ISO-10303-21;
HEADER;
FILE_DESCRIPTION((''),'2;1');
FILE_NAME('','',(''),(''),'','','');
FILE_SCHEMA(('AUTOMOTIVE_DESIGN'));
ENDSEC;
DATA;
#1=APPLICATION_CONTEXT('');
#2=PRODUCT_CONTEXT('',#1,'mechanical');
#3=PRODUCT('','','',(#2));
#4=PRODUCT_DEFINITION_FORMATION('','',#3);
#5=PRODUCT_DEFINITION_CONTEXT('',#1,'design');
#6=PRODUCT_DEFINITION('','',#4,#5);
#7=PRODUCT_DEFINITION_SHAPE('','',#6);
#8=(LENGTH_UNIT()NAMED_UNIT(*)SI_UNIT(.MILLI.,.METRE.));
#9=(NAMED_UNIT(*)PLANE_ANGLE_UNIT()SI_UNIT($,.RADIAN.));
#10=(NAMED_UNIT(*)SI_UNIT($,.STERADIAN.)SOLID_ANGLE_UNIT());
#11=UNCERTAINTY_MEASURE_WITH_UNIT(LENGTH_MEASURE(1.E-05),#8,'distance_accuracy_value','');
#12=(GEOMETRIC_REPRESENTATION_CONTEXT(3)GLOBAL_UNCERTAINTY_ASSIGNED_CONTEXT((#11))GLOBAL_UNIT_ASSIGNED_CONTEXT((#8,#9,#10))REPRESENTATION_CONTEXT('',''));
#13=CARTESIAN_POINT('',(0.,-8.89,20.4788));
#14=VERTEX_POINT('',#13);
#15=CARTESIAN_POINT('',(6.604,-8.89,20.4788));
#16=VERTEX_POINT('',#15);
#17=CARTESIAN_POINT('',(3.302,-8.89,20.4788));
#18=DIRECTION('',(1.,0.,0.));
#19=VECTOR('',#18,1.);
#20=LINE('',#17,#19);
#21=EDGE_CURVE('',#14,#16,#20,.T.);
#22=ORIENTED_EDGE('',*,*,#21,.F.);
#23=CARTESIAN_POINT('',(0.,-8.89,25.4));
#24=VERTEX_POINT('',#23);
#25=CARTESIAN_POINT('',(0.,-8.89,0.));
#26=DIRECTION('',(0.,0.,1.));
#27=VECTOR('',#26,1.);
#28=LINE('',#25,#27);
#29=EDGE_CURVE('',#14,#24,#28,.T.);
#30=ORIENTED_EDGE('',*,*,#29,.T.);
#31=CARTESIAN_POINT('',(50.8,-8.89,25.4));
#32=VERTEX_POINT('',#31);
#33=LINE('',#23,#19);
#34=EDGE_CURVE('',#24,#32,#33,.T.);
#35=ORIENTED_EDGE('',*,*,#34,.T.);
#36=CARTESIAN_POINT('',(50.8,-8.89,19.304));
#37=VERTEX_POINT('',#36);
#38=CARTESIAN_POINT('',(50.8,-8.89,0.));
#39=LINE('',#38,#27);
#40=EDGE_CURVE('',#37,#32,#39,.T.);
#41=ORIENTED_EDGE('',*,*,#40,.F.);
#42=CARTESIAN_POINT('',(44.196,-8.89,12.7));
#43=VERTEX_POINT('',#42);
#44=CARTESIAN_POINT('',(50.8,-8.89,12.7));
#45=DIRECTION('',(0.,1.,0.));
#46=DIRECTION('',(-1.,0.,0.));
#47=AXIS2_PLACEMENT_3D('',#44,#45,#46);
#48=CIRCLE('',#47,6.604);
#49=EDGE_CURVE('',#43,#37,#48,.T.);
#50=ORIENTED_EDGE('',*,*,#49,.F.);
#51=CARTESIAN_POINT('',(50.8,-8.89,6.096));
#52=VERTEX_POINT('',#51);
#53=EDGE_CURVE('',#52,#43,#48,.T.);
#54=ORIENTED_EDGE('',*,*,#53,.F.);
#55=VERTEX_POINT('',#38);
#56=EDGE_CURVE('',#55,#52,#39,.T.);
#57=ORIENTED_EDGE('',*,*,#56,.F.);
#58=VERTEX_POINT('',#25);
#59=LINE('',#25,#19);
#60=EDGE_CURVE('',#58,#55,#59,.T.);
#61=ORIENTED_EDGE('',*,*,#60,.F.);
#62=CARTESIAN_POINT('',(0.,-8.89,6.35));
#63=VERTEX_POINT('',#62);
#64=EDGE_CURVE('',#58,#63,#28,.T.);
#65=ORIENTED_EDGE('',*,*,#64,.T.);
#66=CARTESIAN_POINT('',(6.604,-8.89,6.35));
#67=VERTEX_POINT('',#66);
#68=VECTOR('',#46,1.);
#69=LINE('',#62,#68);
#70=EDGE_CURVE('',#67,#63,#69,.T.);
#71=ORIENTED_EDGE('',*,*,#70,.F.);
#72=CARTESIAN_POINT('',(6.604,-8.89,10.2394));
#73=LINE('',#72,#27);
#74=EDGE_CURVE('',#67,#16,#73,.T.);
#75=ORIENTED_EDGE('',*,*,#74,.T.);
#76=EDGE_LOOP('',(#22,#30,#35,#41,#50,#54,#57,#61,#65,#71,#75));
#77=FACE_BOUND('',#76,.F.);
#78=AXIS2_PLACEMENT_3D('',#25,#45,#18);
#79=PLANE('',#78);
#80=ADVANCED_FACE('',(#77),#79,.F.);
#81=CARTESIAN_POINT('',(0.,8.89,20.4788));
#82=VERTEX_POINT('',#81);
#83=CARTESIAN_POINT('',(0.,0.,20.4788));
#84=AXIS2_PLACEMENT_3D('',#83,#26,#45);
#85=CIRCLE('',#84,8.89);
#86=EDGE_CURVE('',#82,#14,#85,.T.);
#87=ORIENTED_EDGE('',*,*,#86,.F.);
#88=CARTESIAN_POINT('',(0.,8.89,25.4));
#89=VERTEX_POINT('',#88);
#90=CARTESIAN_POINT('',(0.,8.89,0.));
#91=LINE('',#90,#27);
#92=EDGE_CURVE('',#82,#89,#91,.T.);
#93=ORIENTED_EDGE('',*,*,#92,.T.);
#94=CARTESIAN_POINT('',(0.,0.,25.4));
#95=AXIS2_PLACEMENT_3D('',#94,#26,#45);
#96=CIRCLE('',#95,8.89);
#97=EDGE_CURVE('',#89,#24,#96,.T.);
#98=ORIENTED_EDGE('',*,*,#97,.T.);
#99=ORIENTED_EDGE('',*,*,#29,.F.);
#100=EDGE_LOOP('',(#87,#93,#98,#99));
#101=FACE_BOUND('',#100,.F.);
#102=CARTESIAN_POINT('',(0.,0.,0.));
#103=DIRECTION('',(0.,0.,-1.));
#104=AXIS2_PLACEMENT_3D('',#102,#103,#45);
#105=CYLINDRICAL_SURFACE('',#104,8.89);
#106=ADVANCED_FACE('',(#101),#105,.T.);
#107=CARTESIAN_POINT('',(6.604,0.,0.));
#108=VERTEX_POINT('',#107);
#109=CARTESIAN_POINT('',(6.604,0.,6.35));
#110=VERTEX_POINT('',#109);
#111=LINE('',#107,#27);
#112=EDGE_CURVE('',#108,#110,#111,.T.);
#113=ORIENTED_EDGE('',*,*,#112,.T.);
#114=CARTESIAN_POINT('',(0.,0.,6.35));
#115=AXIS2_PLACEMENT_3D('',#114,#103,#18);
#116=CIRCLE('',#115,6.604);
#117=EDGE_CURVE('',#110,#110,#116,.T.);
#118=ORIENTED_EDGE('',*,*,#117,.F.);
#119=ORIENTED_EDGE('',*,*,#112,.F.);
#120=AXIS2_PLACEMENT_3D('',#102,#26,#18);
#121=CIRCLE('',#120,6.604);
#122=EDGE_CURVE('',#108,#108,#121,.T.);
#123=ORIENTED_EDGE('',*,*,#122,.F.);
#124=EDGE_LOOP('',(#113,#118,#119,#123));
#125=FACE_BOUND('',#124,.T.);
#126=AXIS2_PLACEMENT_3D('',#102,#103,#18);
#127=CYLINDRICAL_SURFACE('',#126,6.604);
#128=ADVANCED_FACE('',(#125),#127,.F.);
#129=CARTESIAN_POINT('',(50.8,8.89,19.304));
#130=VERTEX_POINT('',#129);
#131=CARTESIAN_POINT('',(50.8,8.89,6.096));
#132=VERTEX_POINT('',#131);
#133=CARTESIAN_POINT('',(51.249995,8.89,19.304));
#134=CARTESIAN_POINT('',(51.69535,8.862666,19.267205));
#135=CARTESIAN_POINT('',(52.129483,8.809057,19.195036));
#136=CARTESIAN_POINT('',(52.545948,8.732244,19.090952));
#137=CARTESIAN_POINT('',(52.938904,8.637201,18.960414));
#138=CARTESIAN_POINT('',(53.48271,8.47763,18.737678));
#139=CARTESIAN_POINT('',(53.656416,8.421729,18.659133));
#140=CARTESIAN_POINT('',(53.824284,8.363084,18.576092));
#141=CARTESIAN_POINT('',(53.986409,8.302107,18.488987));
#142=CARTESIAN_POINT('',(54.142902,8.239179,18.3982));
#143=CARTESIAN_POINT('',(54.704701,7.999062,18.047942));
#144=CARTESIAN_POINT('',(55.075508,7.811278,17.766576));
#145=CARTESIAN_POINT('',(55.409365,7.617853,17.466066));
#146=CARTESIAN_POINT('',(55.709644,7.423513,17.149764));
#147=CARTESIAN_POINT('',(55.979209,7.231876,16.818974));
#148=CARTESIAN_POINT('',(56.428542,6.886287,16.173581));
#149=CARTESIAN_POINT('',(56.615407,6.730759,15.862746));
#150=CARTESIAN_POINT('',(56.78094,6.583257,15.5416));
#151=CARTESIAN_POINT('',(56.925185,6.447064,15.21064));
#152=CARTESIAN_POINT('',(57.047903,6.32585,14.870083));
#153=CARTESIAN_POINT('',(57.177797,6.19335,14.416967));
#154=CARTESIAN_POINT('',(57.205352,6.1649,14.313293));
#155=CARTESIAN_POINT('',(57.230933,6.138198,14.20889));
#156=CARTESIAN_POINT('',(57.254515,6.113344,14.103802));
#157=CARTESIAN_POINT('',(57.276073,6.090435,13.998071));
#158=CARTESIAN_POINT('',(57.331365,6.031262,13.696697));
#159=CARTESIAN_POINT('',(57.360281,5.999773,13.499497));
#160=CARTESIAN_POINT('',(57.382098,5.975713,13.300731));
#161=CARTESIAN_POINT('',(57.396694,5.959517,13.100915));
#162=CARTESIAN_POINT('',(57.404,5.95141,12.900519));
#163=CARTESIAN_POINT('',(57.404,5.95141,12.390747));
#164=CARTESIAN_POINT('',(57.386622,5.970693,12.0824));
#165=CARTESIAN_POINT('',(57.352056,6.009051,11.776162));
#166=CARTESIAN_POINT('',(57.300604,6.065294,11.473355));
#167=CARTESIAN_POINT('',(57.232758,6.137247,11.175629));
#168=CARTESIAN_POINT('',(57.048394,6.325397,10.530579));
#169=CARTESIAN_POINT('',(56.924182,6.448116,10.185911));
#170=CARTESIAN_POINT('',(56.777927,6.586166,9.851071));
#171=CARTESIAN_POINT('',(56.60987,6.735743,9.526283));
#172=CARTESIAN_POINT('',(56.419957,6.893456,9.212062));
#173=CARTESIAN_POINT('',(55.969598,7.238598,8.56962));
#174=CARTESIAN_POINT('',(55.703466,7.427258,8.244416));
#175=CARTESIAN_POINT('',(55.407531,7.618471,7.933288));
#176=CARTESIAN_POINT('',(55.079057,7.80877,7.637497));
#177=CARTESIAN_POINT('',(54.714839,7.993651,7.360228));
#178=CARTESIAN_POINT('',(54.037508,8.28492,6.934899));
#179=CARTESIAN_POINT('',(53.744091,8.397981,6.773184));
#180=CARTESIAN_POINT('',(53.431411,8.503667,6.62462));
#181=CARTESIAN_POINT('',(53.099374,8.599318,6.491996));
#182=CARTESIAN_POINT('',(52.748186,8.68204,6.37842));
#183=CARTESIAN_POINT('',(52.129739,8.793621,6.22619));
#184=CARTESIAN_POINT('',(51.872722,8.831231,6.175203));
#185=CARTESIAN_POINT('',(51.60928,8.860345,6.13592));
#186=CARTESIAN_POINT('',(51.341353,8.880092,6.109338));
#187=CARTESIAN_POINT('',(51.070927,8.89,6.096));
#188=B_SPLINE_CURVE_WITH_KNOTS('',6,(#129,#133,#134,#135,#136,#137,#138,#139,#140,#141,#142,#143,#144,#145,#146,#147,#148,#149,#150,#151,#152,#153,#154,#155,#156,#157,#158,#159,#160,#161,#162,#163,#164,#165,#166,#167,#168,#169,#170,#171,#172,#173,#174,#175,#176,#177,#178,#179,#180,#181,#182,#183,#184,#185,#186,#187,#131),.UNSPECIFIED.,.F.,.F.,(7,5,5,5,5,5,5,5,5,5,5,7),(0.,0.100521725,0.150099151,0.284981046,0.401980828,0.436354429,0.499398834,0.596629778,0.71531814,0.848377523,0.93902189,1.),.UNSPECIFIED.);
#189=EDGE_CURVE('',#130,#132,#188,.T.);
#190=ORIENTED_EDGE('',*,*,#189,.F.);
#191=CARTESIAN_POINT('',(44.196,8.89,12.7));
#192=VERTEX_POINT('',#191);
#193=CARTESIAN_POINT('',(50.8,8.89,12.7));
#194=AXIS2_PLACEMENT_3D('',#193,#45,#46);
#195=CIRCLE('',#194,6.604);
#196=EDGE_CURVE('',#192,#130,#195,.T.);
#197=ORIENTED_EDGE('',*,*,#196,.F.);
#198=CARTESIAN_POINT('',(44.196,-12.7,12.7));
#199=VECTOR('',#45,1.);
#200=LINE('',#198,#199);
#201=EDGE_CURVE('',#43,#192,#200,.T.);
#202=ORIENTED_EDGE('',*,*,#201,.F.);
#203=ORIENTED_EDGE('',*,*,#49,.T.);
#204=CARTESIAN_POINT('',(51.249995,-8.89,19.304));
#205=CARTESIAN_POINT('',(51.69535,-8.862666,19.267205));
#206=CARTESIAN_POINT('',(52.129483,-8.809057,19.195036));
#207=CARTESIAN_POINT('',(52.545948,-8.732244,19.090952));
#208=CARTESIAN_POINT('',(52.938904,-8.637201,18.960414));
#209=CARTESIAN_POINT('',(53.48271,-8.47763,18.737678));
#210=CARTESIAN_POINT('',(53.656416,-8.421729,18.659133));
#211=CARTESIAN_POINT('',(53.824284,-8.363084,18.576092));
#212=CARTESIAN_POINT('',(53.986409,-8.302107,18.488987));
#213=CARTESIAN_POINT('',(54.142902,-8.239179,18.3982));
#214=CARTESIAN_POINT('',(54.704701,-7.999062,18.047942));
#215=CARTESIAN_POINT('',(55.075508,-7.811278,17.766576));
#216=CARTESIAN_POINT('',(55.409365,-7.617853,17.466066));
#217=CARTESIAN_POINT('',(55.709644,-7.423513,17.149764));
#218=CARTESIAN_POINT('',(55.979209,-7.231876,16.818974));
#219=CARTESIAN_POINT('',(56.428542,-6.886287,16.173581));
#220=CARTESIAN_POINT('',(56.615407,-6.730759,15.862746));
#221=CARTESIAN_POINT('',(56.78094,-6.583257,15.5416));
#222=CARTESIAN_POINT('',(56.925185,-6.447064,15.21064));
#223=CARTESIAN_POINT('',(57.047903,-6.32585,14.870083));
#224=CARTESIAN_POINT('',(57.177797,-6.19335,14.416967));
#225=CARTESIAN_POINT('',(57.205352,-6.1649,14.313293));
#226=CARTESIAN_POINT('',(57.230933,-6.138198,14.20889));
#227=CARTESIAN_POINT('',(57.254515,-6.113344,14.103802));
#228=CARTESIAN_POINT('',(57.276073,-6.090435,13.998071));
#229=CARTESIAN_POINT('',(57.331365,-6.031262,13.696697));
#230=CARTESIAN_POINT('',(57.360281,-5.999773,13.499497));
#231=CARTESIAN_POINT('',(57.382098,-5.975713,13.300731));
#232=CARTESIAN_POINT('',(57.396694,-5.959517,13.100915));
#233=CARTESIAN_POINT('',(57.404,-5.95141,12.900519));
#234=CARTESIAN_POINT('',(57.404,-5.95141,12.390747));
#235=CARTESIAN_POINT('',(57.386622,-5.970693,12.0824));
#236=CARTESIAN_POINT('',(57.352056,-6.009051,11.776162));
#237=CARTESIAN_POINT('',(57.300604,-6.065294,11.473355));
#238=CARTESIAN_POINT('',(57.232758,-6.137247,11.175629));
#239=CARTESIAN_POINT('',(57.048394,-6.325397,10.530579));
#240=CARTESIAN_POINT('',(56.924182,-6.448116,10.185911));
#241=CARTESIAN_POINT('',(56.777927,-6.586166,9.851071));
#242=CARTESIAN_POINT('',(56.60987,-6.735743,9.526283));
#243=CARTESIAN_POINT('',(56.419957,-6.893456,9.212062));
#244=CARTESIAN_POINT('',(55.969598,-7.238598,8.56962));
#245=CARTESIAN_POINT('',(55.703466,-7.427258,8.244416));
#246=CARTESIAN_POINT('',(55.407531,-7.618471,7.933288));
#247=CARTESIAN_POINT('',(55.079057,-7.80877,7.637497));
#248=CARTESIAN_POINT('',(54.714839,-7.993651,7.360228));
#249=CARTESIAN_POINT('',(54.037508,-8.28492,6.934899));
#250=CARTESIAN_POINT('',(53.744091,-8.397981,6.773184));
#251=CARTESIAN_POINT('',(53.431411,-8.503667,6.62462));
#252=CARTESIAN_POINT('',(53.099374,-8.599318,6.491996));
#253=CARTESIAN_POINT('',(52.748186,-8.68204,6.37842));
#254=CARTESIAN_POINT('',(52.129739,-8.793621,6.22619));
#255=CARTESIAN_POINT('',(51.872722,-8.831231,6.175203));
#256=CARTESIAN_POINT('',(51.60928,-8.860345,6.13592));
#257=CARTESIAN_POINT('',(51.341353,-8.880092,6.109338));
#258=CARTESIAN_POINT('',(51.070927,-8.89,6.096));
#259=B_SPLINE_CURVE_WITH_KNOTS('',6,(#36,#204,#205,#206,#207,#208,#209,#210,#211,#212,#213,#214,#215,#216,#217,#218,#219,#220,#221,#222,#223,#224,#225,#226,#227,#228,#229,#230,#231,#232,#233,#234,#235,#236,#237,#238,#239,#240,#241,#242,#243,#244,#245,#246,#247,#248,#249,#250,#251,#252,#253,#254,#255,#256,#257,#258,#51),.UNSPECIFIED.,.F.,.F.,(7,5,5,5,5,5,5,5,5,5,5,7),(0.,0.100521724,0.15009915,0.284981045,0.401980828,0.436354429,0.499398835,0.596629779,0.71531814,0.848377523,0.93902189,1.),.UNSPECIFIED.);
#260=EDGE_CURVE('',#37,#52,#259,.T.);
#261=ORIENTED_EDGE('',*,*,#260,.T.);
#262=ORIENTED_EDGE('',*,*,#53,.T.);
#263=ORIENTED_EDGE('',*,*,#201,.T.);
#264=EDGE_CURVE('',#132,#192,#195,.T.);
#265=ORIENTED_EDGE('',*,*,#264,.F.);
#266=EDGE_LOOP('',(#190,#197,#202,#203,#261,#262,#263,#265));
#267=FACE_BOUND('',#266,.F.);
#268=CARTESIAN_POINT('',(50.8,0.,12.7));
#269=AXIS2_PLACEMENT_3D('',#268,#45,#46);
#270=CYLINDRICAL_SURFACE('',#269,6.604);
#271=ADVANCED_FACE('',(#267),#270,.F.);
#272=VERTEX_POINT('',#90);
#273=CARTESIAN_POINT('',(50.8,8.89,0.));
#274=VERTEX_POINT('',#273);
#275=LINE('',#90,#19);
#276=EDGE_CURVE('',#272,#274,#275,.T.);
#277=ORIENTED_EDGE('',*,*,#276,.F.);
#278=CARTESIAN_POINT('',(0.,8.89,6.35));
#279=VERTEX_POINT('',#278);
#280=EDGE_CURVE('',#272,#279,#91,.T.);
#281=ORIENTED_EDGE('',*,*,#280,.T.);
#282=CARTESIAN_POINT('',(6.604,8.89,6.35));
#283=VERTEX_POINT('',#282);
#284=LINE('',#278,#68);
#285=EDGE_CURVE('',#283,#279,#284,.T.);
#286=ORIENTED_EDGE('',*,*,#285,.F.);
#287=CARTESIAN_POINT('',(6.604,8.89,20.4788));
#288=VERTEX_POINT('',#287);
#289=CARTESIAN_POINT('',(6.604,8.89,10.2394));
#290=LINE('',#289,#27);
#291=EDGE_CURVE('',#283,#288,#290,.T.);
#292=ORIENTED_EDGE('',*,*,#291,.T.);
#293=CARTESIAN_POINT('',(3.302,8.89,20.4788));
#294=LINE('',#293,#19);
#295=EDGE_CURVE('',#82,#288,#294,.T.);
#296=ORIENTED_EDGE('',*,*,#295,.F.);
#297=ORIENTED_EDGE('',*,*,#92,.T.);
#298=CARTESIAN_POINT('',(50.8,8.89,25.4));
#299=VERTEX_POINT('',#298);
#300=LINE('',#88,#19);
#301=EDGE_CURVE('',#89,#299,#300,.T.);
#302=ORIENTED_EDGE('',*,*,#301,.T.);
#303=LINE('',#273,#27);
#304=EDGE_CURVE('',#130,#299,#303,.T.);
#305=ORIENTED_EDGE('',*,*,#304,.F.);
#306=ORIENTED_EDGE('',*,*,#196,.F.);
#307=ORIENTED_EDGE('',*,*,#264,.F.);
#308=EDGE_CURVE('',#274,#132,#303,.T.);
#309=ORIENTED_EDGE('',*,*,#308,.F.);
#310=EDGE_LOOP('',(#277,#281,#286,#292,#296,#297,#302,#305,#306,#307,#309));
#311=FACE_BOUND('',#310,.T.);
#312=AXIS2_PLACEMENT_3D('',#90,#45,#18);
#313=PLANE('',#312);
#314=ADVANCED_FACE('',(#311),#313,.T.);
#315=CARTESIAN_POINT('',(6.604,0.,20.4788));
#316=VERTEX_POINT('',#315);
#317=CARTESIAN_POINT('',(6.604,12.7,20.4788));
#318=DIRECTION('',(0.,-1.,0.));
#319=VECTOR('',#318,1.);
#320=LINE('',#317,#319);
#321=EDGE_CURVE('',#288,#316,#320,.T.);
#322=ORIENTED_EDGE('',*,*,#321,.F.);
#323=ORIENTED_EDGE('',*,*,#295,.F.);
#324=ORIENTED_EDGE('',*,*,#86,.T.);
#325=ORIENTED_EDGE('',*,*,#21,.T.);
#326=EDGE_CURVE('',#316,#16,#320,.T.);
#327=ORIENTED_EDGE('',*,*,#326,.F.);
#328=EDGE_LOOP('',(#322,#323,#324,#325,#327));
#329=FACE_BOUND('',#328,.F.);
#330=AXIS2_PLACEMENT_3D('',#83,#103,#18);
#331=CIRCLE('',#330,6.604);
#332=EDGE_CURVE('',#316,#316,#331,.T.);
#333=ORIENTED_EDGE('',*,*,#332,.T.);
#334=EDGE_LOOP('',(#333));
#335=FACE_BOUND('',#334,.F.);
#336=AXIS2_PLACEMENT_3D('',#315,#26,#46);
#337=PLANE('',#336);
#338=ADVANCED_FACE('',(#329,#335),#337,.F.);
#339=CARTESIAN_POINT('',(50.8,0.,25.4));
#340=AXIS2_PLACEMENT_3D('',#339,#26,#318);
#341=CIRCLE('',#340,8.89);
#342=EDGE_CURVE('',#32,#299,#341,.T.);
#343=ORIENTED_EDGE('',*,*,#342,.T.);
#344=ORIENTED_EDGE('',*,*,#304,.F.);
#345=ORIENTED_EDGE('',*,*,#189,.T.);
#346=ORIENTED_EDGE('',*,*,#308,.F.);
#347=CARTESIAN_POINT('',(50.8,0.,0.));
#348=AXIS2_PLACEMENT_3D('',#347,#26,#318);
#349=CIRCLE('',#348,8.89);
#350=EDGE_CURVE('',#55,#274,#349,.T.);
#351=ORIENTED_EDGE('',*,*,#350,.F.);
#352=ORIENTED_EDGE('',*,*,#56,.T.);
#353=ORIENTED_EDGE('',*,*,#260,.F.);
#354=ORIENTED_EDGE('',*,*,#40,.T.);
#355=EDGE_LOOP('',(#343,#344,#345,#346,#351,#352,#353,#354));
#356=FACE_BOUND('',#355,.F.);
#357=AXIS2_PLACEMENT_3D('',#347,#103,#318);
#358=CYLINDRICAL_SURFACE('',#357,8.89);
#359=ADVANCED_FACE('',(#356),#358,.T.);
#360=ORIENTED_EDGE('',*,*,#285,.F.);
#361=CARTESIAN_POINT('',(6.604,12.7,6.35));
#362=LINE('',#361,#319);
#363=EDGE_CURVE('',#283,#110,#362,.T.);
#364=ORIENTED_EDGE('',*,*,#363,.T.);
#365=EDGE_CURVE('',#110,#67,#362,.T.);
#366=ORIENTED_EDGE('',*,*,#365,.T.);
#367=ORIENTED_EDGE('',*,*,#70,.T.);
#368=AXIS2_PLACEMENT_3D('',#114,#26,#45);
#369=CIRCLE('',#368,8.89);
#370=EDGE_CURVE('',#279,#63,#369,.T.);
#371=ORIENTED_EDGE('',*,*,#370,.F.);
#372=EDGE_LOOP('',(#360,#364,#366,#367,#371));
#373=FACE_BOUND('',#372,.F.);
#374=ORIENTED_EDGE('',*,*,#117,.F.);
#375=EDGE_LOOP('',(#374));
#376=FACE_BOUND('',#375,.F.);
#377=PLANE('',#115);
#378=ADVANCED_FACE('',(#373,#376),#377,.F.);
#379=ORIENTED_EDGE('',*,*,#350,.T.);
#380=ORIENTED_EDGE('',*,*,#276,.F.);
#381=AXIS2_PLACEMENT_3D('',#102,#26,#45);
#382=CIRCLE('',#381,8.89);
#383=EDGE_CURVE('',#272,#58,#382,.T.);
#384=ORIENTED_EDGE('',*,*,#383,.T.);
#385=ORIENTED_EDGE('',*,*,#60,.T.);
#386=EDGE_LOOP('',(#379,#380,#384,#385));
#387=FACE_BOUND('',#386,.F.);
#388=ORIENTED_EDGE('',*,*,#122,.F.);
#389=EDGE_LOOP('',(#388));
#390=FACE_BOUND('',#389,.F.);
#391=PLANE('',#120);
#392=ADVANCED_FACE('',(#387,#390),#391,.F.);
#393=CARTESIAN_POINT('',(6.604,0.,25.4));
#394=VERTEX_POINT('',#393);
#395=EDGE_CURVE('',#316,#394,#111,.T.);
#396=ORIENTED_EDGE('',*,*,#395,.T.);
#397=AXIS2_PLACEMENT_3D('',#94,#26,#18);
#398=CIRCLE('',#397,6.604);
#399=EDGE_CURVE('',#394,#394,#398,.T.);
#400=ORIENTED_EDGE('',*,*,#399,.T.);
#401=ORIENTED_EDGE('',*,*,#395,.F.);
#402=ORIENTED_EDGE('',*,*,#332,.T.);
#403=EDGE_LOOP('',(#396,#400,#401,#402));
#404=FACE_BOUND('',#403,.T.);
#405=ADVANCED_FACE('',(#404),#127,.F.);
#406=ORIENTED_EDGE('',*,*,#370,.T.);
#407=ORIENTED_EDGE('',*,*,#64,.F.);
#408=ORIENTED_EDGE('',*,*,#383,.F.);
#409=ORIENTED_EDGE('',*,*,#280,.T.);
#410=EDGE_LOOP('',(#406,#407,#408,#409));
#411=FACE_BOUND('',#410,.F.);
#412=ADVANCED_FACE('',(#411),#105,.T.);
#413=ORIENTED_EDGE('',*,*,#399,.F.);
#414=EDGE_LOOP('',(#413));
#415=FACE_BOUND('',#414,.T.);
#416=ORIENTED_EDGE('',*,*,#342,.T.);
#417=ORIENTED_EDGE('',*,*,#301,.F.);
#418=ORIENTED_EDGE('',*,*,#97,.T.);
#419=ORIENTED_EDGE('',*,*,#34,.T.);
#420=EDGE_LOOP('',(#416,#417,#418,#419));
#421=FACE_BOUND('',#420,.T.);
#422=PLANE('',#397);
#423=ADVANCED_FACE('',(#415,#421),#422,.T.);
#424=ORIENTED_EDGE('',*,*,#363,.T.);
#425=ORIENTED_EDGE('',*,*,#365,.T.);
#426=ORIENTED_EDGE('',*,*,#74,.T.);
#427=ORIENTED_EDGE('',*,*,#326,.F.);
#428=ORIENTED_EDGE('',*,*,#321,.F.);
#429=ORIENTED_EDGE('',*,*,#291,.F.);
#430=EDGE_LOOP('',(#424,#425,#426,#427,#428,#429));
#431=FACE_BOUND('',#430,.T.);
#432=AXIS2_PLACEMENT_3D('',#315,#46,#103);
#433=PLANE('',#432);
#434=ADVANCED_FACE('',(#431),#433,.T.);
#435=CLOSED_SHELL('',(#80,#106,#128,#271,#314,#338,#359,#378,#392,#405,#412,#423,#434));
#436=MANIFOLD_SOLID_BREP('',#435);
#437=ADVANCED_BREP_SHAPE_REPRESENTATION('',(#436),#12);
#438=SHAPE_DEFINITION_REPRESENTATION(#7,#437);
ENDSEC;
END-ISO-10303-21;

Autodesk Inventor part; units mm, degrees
ref_plane "YZ Plane" through (0, 0, 0) normal (1, 0, 0) x (0, 1, 0)
ref_plane "XZ Plane" through (0, 0, 0) normal (0, 1, 0) x (-1, 0, 0)
ref_plane "XY Plane" through (0, 0, 0) normal (0, 0, 1) x (1, 0, 0)
sketch "Sketch1" plane through (0, 0, 0) normal (0, 0, 1) x (1, 0, 0)
  circle A0 centre (0, 0) radius 6.604
  arc A1 (0, 8.89) -> (0, -8.89) centre (0, 0) ccw
  line L0 (0, 8.89) -> (50.8, 8.89)
  arc A2 (50.8, -8.89) -> (50.8, 8.89) centre (50.8, 0) ccw
  line L1 (0, -8.89) -> (50.8, -8.89)
  dimension "d0" = 13.208
  dimension "d1" = 17.78
  dimension "d2" = 50.8
extrude "Extrusion1" add sketch "Sketch1" along normal blind 25.4
sketch "Sketch2" plane through (0, 0, 0) normal (0, 1, 0) x (-1, 0, 0)
  line L0 (0, 0) -> (0, 25.4) projected
  line L1 (0, 0) -> (0, 25.4)
  line L2 (8.89, 0) -> (0, 0) projected
  line L3 (0, 0) -> (0, 12.7)
  line L4 (0, 12.7) -> (0, 25.4)
  line L5 (8.89, 0) -> (8.89, 25.4) projected
  line L6 (0, 6.35) -> (8.89, 6.35)
  line L7 (8.89, 6.35) -> (8.89, 20.4788)
  line L8 (8.89, 20.4788) -> (0, 20.4788)
  line L9 (0, 20.4788) -> (0, 6.35)
  line L10 (-6.604, 25.4) -> (-6.604, 0) projected
  line L11 (0, 6.35) -> (-6.604, 6.35)
  line L12 (-6.604, 6.35) -> (-6.604, 20.4788)
  line L13 (-6.604, 20.4788) -> (0, 20.4788)
  line L14 (0, 20.4788) -> (0, 6.35)
extrude "Extrusion2" cut sketch "Sketch2" along normal mid plane 25.4 contours L11 L10 L13 L0 | L0 L8 L5 L6
sketch "Sketch3" plane through (0, 0, 0) normal (0, 1, 0) x (-1, 0, 0)
  line L0 (-50.8, 0) -> (-50.8, 25.4) projected
  circle A0 centre (-50.8, 12.7) radius 6.604
  point P0 (0, 0)
  dimension "d8" = 13.208
extrude "Extrusion3" cut sketch "Sketch3" along normal mid plane 25.4
properties part number "uperlegV1"
